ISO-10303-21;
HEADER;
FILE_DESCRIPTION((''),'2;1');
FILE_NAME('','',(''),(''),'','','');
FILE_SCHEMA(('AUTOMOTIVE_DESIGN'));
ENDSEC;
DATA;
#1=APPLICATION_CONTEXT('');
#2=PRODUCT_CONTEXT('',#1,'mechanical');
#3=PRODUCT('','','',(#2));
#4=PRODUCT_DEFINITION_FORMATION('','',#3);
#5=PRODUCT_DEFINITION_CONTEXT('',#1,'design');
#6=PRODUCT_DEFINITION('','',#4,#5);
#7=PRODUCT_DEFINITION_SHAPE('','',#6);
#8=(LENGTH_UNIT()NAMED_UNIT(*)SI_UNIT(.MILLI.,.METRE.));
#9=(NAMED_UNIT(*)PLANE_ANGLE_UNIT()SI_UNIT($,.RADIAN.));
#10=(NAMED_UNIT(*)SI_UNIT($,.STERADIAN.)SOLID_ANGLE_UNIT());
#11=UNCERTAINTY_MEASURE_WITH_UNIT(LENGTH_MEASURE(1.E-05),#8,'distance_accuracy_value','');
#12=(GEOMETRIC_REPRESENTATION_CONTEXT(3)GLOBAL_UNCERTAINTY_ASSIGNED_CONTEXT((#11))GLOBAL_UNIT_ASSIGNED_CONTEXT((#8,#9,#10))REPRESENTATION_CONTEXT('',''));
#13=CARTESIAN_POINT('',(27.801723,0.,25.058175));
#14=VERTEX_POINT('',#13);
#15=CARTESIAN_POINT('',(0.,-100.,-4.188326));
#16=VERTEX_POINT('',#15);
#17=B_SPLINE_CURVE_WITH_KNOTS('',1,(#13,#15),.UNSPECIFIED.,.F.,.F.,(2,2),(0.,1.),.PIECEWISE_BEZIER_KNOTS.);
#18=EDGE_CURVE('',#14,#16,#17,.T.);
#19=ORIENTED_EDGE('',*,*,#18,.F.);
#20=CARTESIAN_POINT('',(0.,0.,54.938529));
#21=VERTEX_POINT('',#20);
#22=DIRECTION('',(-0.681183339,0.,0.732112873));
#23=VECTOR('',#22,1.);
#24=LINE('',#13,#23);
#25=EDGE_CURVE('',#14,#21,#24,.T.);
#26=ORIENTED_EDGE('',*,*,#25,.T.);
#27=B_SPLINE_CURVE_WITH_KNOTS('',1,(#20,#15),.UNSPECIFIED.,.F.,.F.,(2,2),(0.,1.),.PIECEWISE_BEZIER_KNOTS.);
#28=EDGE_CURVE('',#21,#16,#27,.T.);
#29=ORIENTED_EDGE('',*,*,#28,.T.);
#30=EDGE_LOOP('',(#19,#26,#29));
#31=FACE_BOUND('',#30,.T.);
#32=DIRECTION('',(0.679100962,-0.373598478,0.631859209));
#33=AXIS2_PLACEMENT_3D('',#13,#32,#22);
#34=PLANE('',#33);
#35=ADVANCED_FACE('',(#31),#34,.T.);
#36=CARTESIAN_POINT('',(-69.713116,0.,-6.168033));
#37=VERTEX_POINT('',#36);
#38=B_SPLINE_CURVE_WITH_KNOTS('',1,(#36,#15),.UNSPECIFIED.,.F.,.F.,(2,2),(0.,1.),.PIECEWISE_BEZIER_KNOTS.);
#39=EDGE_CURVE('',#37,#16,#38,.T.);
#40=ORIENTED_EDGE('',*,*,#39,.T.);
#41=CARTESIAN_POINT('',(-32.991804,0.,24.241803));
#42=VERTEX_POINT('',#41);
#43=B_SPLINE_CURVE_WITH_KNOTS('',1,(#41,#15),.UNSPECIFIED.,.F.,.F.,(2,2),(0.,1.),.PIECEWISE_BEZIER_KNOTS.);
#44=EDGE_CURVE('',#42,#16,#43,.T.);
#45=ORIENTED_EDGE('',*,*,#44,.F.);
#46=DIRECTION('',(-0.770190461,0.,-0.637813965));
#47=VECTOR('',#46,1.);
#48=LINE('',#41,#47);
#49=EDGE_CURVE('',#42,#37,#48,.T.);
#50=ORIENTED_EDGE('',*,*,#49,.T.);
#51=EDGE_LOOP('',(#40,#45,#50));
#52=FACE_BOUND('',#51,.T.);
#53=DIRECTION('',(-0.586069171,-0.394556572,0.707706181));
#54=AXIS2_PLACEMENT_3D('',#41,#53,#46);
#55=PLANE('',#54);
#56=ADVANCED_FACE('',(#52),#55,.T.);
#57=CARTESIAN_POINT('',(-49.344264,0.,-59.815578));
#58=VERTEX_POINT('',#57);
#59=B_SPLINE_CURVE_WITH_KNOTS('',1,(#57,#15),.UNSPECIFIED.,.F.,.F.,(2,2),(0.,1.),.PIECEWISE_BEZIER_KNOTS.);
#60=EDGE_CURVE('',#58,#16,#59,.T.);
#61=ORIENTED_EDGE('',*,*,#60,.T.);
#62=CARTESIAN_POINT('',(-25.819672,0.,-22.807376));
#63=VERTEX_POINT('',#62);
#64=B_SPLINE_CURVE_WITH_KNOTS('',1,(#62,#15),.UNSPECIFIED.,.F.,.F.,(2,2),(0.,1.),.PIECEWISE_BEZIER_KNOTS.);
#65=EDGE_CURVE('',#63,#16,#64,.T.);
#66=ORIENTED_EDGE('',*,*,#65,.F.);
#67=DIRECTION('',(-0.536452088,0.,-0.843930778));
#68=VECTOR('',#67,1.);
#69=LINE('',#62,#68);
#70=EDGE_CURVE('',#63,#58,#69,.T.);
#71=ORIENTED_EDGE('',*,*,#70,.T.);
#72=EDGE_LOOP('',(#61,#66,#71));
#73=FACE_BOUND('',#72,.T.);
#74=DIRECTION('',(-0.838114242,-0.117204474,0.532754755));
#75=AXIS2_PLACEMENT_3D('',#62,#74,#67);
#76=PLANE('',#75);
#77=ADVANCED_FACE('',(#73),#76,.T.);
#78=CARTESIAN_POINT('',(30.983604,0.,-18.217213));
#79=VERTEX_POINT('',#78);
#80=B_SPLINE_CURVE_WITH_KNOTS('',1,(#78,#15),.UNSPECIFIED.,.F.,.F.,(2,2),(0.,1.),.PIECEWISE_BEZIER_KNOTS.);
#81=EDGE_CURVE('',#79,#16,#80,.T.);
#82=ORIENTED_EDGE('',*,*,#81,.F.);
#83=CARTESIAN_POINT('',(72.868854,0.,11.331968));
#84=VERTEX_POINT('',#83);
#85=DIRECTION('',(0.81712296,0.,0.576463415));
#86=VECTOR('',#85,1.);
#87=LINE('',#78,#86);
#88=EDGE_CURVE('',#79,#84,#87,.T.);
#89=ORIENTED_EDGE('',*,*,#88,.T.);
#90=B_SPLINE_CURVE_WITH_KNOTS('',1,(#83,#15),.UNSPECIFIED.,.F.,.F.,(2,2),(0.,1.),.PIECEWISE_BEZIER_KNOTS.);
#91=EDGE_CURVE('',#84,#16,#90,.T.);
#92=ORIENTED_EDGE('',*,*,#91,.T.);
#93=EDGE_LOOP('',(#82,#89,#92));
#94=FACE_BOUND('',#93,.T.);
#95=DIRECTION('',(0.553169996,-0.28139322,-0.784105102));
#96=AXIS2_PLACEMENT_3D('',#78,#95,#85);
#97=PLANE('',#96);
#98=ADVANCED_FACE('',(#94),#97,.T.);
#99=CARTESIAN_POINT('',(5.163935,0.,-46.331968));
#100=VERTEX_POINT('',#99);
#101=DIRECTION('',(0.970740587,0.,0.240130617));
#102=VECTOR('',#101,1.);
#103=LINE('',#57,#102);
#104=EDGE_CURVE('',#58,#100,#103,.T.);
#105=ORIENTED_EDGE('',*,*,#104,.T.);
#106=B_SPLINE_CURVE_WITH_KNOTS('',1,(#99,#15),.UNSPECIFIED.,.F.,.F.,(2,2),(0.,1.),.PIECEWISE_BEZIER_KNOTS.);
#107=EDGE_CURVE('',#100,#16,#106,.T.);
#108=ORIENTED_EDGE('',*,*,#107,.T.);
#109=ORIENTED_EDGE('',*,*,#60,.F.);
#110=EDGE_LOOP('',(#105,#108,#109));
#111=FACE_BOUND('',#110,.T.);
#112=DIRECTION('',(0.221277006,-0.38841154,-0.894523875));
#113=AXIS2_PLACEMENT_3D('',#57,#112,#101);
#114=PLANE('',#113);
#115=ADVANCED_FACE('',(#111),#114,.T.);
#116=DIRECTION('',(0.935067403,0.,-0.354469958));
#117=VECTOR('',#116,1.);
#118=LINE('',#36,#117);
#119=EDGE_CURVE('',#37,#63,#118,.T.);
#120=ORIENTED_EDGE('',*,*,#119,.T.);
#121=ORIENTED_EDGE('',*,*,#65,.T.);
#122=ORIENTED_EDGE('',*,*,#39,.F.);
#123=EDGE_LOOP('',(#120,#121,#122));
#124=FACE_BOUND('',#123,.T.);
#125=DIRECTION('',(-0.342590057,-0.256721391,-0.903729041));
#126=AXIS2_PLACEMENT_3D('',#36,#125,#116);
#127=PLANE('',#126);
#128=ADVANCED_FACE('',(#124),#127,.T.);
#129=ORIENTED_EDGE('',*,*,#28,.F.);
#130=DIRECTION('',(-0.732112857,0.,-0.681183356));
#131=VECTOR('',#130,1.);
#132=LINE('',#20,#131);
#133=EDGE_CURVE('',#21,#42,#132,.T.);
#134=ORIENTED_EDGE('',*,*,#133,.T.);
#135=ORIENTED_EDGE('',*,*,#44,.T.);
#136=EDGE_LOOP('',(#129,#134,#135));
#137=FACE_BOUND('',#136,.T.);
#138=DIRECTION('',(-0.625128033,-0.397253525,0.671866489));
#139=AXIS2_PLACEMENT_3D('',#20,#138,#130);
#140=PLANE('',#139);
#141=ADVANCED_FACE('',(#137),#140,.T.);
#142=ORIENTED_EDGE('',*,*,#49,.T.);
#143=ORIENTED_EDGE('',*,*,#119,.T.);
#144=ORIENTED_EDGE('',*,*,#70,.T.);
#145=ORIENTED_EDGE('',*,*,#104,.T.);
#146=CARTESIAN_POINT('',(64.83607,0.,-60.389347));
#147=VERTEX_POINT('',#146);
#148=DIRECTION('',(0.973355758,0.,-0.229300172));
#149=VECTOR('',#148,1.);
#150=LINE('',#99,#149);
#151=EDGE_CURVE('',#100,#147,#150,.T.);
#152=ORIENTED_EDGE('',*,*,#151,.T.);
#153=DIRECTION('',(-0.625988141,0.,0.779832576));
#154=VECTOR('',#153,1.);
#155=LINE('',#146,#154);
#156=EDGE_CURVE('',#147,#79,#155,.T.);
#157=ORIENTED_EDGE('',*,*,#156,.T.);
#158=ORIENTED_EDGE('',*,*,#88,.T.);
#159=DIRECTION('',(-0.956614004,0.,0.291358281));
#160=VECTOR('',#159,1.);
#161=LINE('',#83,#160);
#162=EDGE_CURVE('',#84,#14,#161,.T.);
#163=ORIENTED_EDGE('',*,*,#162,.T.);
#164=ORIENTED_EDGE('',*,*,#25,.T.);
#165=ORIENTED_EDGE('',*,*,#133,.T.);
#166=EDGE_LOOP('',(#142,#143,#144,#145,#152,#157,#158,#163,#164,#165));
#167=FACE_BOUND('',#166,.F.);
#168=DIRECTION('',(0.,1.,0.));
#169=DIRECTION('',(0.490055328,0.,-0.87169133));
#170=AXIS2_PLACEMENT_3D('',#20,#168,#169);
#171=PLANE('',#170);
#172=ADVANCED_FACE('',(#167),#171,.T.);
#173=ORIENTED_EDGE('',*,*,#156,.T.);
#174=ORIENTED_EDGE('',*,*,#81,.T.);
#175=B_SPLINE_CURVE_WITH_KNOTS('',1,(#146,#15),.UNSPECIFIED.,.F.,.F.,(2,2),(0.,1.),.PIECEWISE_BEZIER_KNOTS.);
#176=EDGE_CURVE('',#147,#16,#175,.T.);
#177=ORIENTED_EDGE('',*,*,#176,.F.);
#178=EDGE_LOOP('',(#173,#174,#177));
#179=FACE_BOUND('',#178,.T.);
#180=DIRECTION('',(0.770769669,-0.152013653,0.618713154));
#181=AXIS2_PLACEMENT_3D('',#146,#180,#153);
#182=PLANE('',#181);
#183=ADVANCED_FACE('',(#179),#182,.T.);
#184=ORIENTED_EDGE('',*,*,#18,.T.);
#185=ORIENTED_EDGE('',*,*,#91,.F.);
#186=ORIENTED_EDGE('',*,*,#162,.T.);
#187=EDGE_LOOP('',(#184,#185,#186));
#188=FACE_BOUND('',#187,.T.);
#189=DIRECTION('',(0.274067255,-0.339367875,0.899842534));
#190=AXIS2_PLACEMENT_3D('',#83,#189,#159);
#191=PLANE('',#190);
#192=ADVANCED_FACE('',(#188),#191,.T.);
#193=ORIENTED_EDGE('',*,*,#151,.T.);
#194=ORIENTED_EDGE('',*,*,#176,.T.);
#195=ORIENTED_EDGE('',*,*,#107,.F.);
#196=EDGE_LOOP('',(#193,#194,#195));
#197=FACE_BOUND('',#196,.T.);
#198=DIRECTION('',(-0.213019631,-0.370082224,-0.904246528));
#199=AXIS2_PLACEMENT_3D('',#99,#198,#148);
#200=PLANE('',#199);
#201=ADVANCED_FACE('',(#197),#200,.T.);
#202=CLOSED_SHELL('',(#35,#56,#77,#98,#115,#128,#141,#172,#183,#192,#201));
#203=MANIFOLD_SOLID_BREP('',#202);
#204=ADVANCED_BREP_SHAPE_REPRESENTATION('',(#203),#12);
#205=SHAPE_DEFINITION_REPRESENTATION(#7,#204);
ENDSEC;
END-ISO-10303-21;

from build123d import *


with BuildPart() as f3:
    # F0 (on Front) → F3 section 0
    with BuildSketch(Plane.XZ, mode=Mode.PRIVATE) as f3_s0:
        Polygon((0, 54.938529), (-32.991804, 24.241803), (-69.713116, -6.168033), (-25.819672, -22.807376), (-49.344264, -59.815578), (5.163935, -46.331968), (64.83607, -60.389347), (30.983604, -18.217213), (72.868854, 11.331968), (27.801723, 25.058175), align=None)
    loft([f3_s0.sketch, Vertex(0, -100, -4.188326)])


solid = f3.part
